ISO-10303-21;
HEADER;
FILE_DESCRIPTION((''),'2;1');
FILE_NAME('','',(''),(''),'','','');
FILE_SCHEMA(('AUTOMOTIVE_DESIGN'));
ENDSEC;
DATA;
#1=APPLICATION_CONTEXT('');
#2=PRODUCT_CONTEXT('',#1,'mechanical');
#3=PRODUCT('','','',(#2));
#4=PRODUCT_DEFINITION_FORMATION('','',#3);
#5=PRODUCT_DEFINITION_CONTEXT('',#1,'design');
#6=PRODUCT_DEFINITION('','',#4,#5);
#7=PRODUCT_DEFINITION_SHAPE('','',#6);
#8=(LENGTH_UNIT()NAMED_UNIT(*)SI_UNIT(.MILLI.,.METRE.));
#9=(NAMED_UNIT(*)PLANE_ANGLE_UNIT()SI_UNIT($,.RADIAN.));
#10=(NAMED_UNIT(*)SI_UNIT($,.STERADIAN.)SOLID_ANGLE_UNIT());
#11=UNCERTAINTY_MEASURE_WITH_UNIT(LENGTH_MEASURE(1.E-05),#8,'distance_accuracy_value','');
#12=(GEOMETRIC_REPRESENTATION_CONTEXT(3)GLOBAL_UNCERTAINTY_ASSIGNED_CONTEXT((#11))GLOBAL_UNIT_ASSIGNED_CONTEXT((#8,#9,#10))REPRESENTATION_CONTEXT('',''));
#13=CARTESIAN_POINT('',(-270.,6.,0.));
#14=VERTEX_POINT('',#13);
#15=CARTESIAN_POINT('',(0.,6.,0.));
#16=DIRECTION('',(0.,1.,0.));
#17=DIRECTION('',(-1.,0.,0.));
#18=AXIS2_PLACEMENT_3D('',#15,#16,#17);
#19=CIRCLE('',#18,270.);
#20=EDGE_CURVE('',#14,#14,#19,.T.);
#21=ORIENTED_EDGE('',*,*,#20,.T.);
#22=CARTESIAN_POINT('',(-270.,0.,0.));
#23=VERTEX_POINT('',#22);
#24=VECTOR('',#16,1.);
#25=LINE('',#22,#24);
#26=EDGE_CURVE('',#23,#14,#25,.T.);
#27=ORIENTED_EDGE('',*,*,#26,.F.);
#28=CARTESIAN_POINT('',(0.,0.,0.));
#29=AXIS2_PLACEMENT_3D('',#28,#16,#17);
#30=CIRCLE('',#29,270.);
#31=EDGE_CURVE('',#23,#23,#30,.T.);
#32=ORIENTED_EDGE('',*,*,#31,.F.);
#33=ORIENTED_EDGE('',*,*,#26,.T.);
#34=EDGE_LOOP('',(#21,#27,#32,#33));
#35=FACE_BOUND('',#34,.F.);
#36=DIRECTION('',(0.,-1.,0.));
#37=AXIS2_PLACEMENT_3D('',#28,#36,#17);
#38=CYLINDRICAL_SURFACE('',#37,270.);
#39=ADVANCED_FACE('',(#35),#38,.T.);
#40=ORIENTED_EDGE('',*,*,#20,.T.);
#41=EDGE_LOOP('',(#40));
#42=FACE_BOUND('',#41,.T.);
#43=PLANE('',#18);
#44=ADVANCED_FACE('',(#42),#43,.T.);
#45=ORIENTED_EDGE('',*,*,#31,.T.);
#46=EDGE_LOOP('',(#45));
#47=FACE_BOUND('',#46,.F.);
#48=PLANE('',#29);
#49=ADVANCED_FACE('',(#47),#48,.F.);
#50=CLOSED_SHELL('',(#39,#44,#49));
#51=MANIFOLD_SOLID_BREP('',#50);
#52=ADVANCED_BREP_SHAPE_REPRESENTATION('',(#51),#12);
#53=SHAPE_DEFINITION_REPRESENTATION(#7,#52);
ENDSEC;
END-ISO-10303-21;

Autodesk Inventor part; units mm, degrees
ref_plane "YZ Plane" through (0, 0, 0) normal (1, 0, 0) x (0, 1, 0)
ref_plane "XZ Plane" through (0, 0, 0) normal (0, 1, 0) x (-1, 0, 0)
ref_plane "XY Plane" through (0, 0, 0) normal (0, 0, 1) x (1, 0, 0)
sketch "Sketch1" plane through (0, 0, 0) normal (0, 1, 0) x (-1, 0, 0)
  circle A0 centre (0, 0) radius 270
  dimension "d0" = 540
extrude "Extrusion1" add sketch "Sketch1" along normal blind 6
equation "\"d0\" = Внеш_диам_заглушки_ревиз_окна"
equation "\"BendRadius\" = Thickness"
equation "\"BendReliefWidth\" = Thickness"
equation "\"BendReliefDepth\" = 0.5 * Thickness"
equation "\"CornerReliefSize\" = 4 * Thickness"
equation "\"MinimumRemnant\" = 2 * Thickness"
equation "\"TransitionRadius\" = BendRadius"
equation "\"JacobiRadiusSize\" = BendRadius"
equation "\"GapSize\" = Thickness"
equation "\"Внеш_диам_заглушки_ревиз_окна\" = 540"
equation "\"Thickness\" = 6"
properties part number "Заглушка ревиз. окна фильтра D1200"
